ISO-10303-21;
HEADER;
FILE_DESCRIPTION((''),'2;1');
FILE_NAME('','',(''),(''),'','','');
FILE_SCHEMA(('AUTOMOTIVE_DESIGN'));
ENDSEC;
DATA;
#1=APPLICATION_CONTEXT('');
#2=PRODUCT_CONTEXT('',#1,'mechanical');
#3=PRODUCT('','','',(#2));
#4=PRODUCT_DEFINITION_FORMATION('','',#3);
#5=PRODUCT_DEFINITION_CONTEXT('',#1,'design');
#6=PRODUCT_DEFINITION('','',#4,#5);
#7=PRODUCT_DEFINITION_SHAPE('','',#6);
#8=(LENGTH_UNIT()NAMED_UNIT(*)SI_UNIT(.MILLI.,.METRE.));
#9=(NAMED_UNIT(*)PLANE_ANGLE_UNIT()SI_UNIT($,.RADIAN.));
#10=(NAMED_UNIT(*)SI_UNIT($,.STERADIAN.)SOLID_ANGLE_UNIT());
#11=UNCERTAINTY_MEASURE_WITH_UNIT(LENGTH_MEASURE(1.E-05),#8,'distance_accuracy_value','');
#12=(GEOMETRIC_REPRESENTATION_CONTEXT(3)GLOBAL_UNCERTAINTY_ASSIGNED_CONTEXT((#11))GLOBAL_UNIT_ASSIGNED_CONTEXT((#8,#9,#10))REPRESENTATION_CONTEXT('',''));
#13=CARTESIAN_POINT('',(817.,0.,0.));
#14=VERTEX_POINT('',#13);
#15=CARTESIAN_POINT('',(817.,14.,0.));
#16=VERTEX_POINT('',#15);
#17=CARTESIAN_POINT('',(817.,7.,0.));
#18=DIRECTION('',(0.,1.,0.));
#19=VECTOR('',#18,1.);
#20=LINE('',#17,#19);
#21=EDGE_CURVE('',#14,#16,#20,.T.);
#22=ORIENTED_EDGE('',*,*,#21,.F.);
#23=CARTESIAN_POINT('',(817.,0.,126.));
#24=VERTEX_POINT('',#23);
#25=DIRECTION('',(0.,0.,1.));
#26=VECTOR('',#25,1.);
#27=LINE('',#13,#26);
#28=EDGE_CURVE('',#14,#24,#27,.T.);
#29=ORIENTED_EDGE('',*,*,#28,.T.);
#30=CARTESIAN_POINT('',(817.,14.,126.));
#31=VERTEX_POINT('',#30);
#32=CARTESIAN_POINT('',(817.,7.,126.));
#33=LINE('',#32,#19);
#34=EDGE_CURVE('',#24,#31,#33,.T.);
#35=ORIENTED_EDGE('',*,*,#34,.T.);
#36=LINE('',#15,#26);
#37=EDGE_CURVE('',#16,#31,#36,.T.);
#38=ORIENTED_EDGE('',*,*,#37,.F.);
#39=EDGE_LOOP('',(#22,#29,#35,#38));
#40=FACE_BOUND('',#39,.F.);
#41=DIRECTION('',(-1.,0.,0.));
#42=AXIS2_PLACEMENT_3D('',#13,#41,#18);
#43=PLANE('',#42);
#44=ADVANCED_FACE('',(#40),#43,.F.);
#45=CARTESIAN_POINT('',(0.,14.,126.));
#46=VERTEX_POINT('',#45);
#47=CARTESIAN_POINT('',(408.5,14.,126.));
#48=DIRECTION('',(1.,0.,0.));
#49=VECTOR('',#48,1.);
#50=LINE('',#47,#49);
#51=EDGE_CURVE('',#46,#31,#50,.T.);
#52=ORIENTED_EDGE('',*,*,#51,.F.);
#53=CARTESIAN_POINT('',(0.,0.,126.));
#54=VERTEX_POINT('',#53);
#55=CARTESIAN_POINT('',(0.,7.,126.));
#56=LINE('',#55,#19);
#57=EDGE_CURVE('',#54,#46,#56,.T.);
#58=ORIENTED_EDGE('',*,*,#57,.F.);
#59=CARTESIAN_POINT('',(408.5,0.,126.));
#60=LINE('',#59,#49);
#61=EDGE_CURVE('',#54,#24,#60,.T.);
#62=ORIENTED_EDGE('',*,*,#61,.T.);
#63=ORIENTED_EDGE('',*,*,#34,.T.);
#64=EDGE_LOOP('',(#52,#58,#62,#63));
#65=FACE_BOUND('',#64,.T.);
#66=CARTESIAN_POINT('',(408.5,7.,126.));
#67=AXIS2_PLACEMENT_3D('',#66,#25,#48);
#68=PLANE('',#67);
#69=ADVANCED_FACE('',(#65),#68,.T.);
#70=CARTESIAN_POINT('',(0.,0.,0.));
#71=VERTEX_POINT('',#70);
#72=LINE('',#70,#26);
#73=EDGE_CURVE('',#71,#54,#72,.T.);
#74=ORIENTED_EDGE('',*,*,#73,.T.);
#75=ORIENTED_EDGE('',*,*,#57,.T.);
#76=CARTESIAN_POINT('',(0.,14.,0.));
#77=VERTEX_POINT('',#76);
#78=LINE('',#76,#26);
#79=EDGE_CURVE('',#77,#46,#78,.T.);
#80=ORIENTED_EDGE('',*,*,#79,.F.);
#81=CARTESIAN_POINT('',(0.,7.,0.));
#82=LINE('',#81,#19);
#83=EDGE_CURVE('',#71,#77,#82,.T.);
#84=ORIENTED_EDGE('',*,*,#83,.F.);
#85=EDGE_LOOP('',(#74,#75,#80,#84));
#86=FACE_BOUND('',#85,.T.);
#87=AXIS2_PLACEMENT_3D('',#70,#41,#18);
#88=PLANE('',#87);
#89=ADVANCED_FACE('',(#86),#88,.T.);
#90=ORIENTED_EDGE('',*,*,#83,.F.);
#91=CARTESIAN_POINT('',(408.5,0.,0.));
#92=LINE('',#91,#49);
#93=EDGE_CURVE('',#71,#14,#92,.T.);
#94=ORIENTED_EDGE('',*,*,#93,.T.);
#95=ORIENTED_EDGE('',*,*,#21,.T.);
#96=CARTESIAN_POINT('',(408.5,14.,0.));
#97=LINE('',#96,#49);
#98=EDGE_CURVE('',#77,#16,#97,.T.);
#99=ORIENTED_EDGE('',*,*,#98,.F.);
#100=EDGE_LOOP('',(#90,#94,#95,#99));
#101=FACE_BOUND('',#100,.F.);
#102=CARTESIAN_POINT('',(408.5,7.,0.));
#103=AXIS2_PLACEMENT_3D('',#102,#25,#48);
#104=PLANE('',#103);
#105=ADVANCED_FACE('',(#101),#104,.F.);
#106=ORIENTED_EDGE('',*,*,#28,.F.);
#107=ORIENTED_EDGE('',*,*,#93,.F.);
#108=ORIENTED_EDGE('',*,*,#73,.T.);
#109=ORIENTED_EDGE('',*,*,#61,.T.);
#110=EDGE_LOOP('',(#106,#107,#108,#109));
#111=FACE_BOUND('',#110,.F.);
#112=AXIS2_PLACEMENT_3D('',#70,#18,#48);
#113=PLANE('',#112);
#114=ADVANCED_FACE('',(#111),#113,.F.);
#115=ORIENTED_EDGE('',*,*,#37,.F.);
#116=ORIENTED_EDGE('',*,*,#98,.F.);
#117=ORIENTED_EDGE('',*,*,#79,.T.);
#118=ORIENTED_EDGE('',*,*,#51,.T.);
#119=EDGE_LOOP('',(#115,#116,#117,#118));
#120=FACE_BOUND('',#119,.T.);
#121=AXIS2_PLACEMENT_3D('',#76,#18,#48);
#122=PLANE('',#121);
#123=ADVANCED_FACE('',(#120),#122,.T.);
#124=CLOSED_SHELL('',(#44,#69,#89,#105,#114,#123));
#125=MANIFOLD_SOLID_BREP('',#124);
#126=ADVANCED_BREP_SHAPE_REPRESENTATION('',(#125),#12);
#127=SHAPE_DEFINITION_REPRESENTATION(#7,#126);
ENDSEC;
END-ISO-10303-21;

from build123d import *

# Parameters (mm, degrees)
BOX_W     = 817
BOX_H     = 14
BOX_DEPTH = 126


with BuildPart() as part:
    # Box → Box (new body)
    with BuildSketch(Plane.XY):
        with Locations((408.5, 7)):
            Rectangle(BOX_W, BOX_H)
    extrude(amount=BOX_DEPTH)


solid = part.part
